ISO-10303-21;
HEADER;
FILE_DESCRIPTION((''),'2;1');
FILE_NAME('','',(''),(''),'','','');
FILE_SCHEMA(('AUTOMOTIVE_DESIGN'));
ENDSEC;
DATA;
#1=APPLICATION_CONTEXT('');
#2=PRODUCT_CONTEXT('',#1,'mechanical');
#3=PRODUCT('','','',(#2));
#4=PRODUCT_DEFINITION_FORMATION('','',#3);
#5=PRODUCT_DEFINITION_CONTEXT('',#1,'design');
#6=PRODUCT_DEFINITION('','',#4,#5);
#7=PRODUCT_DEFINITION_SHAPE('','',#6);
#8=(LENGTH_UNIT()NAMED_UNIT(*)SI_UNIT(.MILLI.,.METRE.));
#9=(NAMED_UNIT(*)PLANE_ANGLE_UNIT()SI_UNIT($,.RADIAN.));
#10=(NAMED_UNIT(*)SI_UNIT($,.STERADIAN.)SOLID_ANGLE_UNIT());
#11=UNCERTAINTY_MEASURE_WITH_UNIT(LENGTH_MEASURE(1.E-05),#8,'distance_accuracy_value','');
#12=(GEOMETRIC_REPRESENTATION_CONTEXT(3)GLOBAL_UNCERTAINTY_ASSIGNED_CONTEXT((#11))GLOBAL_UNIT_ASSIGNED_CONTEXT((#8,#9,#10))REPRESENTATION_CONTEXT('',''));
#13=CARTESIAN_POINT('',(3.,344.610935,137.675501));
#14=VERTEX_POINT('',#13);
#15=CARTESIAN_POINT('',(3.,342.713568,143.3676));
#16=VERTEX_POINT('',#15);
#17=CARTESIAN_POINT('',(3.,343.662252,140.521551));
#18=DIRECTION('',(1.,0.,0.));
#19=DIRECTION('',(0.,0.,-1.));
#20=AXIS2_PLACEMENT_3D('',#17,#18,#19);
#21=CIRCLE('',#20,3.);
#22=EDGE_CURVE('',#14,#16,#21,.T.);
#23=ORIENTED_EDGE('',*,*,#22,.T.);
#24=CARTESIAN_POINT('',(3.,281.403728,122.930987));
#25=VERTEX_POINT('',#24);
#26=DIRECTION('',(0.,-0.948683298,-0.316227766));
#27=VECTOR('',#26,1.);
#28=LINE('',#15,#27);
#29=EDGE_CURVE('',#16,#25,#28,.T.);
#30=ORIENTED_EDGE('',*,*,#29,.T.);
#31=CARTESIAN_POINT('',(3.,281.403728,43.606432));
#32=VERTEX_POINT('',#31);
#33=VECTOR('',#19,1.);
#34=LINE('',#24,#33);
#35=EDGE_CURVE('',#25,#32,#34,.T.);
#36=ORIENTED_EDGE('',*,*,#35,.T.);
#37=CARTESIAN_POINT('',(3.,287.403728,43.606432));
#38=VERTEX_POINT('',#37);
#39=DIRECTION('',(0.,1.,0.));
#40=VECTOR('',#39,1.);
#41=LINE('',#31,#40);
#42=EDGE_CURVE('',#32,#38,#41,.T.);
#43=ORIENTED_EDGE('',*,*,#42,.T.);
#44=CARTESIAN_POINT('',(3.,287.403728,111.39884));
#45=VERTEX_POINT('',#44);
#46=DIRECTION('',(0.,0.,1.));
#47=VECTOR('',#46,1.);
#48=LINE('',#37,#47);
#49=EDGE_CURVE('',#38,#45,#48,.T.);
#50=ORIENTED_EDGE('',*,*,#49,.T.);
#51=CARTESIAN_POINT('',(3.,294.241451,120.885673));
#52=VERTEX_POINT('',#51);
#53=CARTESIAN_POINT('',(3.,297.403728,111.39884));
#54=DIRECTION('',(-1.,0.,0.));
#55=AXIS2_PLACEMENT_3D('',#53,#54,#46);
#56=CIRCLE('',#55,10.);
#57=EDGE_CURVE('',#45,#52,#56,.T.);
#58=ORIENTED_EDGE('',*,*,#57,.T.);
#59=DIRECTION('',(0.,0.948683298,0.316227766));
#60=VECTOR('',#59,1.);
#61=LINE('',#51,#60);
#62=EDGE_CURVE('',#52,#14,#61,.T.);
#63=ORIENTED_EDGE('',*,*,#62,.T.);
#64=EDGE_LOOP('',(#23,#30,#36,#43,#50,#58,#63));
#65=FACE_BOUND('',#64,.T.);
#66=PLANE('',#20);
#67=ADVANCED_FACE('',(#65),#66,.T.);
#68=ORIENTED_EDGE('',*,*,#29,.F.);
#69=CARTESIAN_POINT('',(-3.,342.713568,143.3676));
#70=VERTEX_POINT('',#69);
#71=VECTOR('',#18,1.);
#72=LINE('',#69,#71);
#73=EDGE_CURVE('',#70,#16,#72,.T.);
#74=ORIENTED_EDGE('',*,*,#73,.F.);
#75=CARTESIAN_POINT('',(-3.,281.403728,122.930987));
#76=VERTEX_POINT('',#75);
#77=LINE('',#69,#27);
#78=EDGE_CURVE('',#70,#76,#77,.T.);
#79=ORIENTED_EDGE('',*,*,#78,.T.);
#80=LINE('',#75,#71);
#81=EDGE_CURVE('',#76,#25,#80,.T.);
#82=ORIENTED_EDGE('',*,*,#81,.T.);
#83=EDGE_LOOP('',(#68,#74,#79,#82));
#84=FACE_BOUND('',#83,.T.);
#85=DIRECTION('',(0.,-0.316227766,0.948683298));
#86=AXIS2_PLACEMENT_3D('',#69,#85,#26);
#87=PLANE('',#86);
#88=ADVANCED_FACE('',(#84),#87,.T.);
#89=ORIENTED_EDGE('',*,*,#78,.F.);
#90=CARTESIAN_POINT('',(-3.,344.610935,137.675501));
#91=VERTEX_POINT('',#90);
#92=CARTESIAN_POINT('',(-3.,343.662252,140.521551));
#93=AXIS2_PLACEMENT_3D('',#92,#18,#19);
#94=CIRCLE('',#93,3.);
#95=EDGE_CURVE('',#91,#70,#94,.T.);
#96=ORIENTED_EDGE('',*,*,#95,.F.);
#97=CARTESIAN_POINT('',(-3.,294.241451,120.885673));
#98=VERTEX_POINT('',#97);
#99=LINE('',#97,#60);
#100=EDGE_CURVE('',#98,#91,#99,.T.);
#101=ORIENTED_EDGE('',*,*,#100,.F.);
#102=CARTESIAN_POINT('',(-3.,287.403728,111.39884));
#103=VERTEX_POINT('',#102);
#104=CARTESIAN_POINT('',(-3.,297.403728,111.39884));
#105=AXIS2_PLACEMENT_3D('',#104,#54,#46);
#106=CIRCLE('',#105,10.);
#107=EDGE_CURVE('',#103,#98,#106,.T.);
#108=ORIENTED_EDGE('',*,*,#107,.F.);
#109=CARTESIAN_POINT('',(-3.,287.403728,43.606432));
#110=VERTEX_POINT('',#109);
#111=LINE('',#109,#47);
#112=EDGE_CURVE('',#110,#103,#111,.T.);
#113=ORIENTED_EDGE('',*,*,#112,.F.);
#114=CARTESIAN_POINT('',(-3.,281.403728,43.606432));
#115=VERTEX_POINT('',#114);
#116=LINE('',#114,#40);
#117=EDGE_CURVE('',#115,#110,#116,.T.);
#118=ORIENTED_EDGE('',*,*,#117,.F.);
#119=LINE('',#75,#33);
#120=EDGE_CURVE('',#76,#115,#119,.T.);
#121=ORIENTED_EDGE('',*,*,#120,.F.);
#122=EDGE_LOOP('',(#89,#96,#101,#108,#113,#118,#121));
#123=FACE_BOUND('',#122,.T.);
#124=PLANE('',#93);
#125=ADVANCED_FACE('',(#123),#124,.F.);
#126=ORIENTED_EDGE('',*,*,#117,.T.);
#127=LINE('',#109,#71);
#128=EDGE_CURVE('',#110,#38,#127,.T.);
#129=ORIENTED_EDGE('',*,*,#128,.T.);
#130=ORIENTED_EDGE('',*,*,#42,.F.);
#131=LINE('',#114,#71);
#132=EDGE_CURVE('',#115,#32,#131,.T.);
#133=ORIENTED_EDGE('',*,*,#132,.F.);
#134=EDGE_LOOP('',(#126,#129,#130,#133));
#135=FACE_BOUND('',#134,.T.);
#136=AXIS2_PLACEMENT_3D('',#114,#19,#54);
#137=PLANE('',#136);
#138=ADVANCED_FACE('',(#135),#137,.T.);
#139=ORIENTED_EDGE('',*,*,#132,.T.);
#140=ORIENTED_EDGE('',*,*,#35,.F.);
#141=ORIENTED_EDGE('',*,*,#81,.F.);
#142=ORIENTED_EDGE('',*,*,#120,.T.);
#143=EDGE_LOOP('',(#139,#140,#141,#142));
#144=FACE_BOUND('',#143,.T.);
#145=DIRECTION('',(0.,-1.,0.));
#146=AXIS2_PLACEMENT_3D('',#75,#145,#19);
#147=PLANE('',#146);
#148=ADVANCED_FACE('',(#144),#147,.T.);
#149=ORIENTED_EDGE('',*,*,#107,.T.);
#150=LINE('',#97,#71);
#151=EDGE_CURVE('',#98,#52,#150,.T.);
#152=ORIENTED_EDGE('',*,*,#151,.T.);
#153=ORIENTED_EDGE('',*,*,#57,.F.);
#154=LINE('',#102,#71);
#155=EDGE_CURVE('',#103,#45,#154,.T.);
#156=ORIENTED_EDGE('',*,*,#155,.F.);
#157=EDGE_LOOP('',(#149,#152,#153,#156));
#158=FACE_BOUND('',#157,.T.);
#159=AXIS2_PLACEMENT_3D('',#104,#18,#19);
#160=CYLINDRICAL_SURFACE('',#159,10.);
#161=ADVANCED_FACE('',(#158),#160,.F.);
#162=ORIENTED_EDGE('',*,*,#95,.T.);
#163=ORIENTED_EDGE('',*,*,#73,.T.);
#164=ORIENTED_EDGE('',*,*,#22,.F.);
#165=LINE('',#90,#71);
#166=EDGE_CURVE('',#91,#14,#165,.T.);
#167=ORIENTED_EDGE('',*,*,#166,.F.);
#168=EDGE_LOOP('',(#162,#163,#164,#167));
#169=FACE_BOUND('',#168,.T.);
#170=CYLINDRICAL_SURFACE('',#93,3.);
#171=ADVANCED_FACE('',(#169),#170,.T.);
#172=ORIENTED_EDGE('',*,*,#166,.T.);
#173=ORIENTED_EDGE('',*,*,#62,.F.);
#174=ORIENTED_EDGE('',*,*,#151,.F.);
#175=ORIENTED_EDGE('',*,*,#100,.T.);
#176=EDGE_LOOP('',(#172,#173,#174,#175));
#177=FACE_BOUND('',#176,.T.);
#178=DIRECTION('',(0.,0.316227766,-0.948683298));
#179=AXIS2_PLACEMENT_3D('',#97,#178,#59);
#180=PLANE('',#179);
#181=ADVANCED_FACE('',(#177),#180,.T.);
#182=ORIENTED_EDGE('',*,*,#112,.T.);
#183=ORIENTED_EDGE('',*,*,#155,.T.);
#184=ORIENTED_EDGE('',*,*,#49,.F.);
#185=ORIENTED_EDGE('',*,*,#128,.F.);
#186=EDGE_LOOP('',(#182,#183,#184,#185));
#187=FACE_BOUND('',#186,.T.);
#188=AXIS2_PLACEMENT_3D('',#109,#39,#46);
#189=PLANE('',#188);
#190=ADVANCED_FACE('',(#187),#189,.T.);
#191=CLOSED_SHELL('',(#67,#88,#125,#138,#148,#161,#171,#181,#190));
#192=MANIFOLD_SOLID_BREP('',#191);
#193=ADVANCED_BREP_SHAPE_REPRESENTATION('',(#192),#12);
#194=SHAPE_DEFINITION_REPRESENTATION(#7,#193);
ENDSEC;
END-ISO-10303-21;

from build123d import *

# Parameters (mm, degrees)
SALIENTE_EXTRUIR1_DEPTH = 6


with BuildPart() as part:
    # Croquis1 → Saliente-Extruir1 (new body)
    with BuildSketch(Plane(origin=(3, 0, 0), x_dir=(0, 0, -1), z_dir=(1, 0, 0))):
        with BuildLine():
            Line((-143.367600492, 342.71356838), (-122.930987198, 281.403728499))
            Line((-122.930987198, 281.403728499), (-43.606431878, 281.403728499))
            Line((-43.606431878, 281.403728499), (-43.606431878, 287.403728499))
            Line((-43.606431878, 287.403728499), (-111.398839678, 287.403728499))
            ThreePointArc((-111.398839678, 287.403728499), (-117.245942524, 289.291306647), (-120.885672658, 294.241450839))
            Line((-120.885672658, 294.241450839), (-137.675500704, 344.610934976))
            ThreePointArc((-137.675500704, 344.610934976), (-141.470233896, 346.508301573), (-143.367600492, 342.71356838))
        make_face()
    extrude(amount=-SALIENTE_EXTRUIR1_DEPTH)


solid = part.part
